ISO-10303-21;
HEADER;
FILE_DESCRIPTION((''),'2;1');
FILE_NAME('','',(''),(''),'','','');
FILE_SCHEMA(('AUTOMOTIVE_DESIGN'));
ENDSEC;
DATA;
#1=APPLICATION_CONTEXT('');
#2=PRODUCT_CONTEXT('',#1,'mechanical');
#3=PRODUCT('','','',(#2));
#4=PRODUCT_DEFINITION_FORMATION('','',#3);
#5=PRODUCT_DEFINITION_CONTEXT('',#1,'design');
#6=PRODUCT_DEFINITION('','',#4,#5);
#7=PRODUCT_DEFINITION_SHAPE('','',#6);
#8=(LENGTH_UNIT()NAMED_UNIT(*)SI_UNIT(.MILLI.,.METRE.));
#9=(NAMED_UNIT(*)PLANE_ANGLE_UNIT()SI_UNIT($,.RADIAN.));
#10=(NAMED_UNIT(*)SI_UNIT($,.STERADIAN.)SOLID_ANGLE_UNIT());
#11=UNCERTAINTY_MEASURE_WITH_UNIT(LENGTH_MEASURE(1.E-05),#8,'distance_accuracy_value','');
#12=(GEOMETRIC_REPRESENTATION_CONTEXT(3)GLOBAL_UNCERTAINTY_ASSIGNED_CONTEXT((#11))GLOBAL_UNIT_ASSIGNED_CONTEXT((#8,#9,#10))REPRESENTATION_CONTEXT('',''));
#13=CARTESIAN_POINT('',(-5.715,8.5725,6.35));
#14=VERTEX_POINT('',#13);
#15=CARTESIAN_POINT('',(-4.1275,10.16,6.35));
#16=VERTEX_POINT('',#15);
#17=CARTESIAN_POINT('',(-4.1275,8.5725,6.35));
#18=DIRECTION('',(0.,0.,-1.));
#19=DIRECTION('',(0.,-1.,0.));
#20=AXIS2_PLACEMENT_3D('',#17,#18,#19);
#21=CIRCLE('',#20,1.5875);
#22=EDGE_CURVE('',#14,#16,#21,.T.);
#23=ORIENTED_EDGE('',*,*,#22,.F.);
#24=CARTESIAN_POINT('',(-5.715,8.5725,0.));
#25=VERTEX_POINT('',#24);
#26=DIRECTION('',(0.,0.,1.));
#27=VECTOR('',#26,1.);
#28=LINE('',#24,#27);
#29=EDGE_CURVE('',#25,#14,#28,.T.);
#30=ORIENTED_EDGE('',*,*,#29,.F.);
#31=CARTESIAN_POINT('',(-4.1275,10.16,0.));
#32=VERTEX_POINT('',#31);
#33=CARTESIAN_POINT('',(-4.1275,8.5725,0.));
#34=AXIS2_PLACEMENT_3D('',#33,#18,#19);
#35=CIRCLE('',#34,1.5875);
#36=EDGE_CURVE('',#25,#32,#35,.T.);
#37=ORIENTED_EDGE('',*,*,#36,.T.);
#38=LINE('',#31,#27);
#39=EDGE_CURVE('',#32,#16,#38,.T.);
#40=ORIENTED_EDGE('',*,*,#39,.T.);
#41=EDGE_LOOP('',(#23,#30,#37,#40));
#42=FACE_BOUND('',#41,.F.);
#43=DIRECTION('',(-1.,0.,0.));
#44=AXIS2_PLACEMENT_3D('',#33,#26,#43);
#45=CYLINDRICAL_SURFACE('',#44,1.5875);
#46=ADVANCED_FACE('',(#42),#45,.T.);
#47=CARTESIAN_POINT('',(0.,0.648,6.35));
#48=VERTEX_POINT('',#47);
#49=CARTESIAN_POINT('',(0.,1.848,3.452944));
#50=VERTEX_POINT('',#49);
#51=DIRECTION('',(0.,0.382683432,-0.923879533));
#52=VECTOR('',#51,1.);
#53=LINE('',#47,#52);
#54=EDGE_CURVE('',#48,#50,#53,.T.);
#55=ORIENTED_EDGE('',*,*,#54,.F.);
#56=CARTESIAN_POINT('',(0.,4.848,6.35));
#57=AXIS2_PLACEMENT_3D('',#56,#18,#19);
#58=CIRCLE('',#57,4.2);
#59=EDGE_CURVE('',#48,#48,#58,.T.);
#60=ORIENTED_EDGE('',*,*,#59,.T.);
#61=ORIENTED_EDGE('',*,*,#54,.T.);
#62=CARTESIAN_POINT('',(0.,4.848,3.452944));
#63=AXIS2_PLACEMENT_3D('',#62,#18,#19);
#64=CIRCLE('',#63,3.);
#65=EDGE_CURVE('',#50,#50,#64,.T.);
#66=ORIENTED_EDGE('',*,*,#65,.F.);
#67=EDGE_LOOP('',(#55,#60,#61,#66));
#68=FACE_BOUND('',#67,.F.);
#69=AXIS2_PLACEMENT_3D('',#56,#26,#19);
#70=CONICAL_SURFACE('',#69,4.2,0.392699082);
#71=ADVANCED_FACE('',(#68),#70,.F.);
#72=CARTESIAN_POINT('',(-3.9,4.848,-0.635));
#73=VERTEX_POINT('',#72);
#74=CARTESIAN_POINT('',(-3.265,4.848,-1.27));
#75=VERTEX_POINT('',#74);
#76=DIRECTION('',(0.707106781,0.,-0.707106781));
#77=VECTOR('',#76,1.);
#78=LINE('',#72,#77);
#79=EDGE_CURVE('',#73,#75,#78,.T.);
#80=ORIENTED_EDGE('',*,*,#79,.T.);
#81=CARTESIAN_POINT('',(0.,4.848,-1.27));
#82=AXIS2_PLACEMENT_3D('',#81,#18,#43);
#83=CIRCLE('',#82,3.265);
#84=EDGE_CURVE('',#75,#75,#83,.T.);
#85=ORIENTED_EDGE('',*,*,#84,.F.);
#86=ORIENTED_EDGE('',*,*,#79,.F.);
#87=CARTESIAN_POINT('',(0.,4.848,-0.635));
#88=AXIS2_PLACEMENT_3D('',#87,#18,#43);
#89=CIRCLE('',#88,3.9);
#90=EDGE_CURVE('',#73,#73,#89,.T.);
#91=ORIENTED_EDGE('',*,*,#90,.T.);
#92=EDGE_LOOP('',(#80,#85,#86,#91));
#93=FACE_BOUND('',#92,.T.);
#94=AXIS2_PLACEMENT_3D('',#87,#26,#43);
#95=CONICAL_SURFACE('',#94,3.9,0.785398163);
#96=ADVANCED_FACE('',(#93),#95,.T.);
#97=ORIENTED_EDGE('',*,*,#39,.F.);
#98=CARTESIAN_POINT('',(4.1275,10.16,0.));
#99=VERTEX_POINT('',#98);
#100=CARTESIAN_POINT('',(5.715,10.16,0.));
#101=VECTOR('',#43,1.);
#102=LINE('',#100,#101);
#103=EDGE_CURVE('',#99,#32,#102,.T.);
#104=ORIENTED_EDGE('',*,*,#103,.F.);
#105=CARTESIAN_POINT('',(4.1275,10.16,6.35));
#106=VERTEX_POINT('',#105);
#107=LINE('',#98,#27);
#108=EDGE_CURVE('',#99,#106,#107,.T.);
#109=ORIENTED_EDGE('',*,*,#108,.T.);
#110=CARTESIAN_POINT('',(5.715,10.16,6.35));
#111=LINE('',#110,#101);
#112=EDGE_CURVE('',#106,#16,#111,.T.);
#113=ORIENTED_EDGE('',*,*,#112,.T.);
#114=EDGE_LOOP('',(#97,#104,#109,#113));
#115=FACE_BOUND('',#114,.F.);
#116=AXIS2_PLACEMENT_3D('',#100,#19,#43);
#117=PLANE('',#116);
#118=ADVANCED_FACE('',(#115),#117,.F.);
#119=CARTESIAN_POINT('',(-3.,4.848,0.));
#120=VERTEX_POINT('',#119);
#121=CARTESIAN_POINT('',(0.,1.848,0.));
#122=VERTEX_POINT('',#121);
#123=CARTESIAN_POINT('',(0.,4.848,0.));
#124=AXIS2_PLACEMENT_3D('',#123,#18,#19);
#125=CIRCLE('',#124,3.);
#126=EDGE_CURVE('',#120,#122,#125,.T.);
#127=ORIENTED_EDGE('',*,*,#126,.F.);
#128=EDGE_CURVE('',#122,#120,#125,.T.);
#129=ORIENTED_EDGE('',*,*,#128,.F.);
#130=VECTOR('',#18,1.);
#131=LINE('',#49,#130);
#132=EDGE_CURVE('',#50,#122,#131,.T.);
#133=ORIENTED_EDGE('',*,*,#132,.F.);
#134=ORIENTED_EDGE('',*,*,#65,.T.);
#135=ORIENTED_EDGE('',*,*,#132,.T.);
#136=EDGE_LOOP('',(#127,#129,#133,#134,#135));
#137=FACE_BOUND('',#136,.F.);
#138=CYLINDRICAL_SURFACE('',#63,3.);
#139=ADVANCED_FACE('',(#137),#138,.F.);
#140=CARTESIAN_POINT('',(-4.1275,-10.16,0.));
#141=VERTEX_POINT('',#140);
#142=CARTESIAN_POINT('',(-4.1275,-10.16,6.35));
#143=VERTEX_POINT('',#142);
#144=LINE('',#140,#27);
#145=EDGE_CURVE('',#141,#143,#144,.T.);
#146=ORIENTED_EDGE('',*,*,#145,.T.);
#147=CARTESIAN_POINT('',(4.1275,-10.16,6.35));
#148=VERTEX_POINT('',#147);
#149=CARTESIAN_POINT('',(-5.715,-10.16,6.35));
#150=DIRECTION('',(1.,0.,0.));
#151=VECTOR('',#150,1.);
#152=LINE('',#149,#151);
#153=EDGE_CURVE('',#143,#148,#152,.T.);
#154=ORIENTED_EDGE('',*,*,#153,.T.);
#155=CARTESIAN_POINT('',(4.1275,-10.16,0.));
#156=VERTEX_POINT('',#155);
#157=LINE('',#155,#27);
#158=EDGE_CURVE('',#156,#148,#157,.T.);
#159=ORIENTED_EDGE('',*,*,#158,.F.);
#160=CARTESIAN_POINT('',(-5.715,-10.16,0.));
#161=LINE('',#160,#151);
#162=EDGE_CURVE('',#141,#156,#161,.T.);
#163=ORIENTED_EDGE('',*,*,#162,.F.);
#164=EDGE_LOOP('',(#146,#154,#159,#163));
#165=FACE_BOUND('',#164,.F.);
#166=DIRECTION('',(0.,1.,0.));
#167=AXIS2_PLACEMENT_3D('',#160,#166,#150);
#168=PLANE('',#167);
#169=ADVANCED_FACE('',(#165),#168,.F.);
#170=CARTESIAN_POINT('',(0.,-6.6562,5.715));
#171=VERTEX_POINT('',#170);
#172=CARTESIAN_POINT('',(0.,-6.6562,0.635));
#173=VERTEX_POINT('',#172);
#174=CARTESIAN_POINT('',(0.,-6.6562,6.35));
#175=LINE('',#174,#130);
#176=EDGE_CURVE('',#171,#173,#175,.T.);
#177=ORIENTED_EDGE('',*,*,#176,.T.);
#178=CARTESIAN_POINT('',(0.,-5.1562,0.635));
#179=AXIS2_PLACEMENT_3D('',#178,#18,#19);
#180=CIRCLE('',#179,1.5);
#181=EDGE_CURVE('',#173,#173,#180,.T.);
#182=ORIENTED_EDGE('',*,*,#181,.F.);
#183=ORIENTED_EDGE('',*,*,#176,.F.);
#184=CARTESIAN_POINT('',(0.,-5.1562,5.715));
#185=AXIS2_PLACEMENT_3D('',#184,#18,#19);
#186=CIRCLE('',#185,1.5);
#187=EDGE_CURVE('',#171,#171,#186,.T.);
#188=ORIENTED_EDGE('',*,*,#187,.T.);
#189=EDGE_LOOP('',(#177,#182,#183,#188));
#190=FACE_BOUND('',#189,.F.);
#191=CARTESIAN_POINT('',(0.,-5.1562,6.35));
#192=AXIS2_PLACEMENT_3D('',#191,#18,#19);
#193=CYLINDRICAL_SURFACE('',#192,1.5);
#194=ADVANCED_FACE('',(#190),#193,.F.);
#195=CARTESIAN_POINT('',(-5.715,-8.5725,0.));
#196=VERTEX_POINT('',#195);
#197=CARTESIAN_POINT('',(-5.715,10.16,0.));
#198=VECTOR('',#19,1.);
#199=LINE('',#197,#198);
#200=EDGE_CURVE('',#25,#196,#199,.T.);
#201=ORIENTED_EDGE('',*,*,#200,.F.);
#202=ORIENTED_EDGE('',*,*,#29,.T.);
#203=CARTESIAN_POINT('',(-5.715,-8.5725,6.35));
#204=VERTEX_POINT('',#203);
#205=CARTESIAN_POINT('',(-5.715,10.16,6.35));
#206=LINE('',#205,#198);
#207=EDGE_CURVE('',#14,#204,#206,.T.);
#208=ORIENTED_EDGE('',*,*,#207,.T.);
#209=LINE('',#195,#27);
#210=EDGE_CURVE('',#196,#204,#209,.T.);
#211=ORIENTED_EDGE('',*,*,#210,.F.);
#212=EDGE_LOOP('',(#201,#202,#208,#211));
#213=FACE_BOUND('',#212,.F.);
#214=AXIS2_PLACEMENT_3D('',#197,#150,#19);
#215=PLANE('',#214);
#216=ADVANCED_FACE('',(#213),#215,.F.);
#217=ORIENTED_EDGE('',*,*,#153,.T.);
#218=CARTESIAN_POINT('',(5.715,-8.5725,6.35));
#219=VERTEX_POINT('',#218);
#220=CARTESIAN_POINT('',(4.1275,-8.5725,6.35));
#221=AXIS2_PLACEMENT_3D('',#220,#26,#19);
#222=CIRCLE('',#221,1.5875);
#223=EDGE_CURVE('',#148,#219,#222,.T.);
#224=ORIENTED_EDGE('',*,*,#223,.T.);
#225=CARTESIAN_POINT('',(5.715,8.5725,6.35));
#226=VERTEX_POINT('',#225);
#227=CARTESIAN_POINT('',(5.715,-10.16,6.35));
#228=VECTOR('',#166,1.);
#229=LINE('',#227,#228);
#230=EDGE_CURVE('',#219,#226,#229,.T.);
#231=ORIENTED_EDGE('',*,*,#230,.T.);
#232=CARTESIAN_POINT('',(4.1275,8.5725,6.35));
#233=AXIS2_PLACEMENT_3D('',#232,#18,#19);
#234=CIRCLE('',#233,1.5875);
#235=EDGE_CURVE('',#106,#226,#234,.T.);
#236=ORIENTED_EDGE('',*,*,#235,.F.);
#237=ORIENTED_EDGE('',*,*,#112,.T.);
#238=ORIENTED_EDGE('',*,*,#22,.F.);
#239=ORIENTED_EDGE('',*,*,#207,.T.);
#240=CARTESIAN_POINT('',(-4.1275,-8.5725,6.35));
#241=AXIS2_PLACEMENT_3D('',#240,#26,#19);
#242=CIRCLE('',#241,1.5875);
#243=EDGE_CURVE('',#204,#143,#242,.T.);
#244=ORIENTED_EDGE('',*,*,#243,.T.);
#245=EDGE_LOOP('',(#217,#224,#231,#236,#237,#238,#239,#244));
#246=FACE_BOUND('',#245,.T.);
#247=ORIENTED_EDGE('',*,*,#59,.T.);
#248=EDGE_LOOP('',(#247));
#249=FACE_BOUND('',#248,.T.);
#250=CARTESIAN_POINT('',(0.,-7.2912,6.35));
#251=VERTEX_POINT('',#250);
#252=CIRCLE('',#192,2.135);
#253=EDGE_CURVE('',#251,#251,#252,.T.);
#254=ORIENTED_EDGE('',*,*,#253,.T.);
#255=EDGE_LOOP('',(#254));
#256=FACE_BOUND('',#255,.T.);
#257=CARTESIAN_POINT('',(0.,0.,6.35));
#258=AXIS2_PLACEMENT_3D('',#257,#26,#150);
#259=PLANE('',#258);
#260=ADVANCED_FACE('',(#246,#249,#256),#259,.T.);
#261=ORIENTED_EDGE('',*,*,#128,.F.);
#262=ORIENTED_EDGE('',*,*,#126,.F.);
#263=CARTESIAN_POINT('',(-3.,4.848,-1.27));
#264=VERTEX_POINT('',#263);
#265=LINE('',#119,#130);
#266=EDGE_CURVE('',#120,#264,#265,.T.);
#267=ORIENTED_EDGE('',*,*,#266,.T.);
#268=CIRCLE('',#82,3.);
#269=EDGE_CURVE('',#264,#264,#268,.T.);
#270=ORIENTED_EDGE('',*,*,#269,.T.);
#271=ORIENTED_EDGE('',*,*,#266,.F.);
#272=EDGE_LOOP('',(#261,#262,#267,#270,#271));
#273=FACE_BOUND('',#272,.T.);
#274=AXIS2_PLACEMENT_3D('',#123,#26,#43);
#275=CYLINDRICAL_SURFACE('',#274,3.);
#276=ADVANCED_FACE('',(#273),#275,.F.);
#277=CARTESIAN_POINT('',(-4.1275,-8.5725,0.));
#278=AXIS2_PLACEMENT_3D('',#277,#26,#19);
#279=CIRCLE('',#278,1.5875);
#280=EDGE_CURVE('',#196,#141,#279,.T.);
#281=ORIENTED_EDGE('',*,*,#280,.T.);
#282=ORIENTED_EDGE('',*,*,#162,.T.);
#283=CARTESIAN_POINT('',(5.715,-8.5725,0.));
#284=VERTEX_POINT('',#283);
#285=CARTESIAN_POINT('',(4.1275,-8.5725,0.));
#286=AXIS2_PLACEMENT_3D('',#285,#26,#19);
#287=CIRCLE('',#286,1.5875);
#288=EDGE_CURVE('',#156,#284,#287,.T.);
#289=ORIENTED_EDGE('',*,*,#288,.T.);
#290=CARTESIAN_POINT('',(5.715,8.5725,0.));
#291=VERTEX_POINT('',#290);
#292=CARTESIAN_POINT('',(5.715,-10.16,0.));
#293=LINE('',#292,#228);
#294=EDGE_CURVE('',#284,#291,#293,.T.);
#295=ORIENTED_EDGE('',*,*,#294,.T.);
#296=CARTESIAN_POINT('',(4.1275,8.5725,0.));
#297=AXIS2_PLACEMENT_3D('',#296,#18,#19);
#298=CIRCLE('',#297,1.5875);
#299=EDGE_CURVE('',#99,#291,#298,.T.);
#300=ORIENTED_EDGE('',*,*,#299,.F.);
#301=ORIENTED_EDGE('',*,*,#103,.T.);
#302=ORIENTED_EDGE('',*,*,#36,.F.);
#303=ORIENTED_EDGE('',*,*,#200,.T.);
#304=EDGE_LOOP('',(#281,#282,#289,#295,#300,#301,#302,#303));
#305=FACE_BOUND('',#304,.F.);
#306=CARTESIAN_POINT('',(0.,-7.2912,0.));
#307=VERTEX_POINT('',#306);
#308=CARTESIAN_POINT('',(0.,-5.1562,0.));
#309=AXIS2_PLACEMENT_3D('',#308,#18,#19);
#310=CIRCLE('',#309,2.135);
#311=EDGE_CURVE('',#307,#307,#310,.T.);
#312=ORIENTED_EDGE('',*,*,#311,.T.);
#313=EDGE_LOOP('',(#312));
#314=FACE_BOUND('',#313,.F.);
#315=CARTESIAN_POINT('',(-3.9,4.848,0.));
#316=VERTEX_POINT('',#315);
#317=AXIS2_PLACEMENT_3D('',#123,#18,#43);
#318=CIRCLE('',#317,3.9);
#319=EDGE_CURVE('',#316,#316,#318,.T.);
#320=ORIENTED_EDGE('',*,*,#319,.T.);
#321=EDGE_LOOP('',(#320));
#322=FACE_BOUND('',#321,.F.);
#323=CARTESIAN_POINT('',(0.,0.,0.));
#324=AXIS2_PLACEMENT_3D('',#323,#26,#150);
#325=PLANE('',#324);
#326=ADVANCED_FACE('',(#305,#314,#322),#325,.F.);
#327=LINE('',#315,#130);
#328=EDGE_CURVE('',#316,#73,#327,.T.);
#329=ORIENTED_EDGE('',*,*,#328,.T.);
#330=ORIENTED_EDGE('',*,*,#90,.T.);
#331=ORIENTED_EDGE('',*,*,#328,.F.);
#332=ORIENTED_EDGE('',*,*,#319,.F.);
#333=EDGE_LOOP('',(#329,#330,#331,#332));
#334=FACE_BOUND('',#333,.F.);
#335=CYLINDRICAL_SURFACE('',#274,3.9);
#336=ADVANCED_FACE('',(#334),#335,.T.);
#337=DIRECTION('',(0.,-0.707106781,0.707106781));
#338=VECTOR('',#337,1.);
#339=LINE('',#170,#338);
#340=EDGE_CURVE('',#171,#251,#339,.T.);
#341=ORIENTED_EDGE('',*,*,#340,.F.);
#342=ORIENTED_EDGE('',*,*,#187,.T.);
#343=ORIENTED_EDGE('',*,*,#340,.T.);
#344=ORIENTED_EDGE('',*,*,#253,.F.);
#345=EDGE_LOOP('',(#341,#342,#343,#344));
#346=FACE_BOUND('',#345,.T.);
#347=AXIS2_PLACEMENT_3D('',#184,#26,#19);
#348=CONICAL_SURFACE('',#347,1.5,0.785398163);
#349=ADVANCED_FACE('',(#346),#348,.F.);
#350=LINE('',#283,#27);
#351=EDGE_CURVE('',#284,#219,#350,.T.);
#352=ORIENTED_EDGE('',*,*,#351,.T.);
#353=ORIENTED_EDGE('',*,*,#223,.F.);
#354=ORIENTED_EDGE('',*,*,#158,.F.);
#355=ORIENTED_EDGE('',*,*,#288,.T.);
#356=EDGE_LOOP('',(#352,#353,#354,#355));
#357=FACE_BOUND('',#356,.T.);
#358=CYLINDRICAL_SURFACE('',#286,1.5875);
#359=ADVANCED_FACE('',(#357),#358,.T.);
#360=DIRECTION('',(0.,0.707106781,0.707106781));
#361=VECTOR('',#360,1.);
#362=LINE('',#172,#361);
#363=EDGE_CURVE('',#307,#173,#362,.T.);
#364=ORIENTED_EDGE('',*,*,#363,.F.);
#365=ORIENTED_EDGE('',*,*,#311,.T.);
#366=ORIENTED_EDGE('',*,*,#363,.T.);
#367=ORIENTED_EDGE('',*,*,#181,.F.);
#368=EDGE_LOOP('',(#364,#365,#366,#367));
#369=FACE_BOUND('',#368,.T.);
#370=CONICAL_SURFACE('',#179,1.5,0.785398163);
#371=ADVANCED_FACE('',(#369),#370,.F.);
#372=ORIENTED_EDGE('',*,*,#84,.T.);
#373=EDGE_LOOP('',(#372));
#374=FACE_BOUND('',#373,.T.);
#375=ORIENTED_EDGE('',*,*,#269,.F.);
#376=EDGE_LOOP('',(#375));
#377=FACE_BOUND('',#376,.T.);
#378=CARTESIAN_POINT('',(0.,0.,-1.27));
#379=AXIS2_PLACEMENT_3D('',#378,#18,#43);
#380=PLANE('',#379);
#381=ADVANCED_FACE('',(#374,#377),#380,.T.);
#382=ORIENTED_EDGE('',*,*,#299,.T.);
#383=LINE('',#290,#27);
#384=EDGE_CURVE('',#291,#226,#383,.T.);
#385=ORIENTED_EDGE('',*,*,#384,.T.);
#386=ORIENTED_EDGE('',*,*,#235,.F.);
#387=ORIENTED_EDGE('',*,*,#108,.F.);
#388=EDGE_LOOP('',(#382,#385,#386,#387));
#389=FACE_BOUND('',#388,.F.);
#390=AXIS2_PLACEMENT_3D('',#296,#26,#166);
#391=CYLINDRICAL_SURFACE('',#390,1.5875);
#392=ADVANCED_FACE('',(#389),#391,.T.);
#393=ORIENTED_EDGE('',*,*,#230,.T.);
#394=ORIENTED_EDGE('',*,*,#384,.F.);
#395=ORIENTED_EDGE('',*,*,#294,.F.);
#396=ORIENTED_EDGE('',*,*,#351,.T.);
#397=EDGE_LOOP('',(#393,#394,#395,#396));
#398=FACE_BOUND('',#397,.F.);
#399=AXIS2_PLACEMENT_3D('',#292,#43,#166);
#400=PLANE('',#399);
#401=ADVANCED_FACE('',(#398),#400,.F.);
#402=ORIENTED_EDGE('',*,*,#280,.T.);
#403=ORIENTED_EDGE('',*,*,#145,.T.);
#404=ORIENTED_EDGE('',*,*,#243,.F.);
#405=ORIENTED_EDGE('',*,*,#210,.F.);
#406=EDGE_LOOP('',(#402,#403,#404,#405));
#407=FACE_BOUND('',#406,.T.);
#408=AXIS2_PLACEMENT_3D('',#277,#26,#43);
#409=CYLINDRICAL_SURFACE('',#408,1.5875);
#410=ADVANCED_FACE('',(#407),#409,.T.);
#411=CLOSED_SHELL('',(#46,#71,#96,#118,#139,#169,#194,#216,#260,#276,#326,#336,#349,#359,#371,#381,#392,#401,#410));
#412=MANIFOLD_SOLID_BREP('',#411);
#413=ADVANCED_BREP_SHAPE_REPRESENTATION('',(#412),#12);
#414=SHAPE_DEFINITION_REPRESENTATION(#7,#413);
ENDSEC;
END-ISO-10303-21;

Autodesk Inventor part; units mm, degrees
ref_plane "YZ Plane" through (0, 0, 0) normal (1, 0, 0) x (0, 1, 0)
ref_plane "XZ Plane" through (0, 0, 0) normal (0, 1, 0) x (-1, 0, 0)
ref_plane "XY Plane" through (0, 0, 0) normal (0, 0, 1) x (1, 0, 0)
sketch "Sketch1" plane through (0, 0, 0) normal (0, 0, 1) x (1, 0, 0)
  line L0 (-5.715, -10.16) -> (5.715, -10.16)
  line L1 (5.715, -10.16) -> (5.715, 10.16)
  line L2 (5.715, 10.16) -> (-5.715, 10.16)
  line L3 (-5.715, 10.16) -> (-5.715, -10.16)
  line L4 (-5.715, -10.16) -> (5.715, 10.16) construction
  line L5 (5.715, -10.16) -> (-5.715, 10.16) construction
  point P0 (0, 0)
  dimension "d0" = 20.32
  dimension "d1" = 11.43
extrude "Extrusion1" add sketch "Sketch1" along normal blind 6.35
sketch "Sketch2" plane through (0, 0, 6.35) normal (0, 0, 1) x (1, 0, 0)
  line L0 (-5.715, 10.16) -> (-5.715, -10.16) projected
  line L1 (-5.715, -10.16) -> (5.715, -10.16) projected
  point P0 (0, 0)
  point P1 (0, -5.1562)
  dimension "d5" = 5.0038
  dimension "d22" = 5.715
hole "Hole1" at (0, -5.1562, 6.35) direction (0, 0, -1) diameter 3 end through all
sketch "Sketch3" plane through (0, 0, 6.35) normal (0, 0, 1) x (1, 0, 0)
  line L0 (-5.715, -10.16) -> (5.715, -10.16) projected
  line L1 (5.715, -10.16) -> (5.715, 10.16) projected
  point P0 (0, 0)
  point P1 (0, 4.848)
  dimension "d13" = 15.008
  dimension "d14" = 5.715
hole "Hole2" at (0, 4.848, 6.35) direction (0, 0, -1) diameter 6 end through all countersink diameter 8.4 countersink angle 45
fillet "Fillet1" radius 1.5875 4 edges at (5.715, 10.16, 3.175) (-5.715, 10.16, 3.175) (5.715, -10.16, 3.175) (-5.715, -10.16, 3.175)
sketch "Sketch4" plane through (0, 0, 0) normal (0, 0, -1) x (-1, 0, 0)
  circle A0 centre (0, 4.848) radius 3 projected
  circle A1 centre (0, 4.848) radius 3.9
  circle A2 centre (0, 4.848) radius 3 construction
  point P0 (0, 0)
  dimension "d27" = 7.8
extrude "Extrusion2" add sketch "Sketch4" along normal blind 1.27
chamfer "Chamfer2" distance 0.635 angle 45 3 edges at (0, -3.6562, 0) (0, -3.6562, 6.35) (3.9, 4.848, -1.27)
properties part number "beam_break_spacer" material "Aluminum 6061"
